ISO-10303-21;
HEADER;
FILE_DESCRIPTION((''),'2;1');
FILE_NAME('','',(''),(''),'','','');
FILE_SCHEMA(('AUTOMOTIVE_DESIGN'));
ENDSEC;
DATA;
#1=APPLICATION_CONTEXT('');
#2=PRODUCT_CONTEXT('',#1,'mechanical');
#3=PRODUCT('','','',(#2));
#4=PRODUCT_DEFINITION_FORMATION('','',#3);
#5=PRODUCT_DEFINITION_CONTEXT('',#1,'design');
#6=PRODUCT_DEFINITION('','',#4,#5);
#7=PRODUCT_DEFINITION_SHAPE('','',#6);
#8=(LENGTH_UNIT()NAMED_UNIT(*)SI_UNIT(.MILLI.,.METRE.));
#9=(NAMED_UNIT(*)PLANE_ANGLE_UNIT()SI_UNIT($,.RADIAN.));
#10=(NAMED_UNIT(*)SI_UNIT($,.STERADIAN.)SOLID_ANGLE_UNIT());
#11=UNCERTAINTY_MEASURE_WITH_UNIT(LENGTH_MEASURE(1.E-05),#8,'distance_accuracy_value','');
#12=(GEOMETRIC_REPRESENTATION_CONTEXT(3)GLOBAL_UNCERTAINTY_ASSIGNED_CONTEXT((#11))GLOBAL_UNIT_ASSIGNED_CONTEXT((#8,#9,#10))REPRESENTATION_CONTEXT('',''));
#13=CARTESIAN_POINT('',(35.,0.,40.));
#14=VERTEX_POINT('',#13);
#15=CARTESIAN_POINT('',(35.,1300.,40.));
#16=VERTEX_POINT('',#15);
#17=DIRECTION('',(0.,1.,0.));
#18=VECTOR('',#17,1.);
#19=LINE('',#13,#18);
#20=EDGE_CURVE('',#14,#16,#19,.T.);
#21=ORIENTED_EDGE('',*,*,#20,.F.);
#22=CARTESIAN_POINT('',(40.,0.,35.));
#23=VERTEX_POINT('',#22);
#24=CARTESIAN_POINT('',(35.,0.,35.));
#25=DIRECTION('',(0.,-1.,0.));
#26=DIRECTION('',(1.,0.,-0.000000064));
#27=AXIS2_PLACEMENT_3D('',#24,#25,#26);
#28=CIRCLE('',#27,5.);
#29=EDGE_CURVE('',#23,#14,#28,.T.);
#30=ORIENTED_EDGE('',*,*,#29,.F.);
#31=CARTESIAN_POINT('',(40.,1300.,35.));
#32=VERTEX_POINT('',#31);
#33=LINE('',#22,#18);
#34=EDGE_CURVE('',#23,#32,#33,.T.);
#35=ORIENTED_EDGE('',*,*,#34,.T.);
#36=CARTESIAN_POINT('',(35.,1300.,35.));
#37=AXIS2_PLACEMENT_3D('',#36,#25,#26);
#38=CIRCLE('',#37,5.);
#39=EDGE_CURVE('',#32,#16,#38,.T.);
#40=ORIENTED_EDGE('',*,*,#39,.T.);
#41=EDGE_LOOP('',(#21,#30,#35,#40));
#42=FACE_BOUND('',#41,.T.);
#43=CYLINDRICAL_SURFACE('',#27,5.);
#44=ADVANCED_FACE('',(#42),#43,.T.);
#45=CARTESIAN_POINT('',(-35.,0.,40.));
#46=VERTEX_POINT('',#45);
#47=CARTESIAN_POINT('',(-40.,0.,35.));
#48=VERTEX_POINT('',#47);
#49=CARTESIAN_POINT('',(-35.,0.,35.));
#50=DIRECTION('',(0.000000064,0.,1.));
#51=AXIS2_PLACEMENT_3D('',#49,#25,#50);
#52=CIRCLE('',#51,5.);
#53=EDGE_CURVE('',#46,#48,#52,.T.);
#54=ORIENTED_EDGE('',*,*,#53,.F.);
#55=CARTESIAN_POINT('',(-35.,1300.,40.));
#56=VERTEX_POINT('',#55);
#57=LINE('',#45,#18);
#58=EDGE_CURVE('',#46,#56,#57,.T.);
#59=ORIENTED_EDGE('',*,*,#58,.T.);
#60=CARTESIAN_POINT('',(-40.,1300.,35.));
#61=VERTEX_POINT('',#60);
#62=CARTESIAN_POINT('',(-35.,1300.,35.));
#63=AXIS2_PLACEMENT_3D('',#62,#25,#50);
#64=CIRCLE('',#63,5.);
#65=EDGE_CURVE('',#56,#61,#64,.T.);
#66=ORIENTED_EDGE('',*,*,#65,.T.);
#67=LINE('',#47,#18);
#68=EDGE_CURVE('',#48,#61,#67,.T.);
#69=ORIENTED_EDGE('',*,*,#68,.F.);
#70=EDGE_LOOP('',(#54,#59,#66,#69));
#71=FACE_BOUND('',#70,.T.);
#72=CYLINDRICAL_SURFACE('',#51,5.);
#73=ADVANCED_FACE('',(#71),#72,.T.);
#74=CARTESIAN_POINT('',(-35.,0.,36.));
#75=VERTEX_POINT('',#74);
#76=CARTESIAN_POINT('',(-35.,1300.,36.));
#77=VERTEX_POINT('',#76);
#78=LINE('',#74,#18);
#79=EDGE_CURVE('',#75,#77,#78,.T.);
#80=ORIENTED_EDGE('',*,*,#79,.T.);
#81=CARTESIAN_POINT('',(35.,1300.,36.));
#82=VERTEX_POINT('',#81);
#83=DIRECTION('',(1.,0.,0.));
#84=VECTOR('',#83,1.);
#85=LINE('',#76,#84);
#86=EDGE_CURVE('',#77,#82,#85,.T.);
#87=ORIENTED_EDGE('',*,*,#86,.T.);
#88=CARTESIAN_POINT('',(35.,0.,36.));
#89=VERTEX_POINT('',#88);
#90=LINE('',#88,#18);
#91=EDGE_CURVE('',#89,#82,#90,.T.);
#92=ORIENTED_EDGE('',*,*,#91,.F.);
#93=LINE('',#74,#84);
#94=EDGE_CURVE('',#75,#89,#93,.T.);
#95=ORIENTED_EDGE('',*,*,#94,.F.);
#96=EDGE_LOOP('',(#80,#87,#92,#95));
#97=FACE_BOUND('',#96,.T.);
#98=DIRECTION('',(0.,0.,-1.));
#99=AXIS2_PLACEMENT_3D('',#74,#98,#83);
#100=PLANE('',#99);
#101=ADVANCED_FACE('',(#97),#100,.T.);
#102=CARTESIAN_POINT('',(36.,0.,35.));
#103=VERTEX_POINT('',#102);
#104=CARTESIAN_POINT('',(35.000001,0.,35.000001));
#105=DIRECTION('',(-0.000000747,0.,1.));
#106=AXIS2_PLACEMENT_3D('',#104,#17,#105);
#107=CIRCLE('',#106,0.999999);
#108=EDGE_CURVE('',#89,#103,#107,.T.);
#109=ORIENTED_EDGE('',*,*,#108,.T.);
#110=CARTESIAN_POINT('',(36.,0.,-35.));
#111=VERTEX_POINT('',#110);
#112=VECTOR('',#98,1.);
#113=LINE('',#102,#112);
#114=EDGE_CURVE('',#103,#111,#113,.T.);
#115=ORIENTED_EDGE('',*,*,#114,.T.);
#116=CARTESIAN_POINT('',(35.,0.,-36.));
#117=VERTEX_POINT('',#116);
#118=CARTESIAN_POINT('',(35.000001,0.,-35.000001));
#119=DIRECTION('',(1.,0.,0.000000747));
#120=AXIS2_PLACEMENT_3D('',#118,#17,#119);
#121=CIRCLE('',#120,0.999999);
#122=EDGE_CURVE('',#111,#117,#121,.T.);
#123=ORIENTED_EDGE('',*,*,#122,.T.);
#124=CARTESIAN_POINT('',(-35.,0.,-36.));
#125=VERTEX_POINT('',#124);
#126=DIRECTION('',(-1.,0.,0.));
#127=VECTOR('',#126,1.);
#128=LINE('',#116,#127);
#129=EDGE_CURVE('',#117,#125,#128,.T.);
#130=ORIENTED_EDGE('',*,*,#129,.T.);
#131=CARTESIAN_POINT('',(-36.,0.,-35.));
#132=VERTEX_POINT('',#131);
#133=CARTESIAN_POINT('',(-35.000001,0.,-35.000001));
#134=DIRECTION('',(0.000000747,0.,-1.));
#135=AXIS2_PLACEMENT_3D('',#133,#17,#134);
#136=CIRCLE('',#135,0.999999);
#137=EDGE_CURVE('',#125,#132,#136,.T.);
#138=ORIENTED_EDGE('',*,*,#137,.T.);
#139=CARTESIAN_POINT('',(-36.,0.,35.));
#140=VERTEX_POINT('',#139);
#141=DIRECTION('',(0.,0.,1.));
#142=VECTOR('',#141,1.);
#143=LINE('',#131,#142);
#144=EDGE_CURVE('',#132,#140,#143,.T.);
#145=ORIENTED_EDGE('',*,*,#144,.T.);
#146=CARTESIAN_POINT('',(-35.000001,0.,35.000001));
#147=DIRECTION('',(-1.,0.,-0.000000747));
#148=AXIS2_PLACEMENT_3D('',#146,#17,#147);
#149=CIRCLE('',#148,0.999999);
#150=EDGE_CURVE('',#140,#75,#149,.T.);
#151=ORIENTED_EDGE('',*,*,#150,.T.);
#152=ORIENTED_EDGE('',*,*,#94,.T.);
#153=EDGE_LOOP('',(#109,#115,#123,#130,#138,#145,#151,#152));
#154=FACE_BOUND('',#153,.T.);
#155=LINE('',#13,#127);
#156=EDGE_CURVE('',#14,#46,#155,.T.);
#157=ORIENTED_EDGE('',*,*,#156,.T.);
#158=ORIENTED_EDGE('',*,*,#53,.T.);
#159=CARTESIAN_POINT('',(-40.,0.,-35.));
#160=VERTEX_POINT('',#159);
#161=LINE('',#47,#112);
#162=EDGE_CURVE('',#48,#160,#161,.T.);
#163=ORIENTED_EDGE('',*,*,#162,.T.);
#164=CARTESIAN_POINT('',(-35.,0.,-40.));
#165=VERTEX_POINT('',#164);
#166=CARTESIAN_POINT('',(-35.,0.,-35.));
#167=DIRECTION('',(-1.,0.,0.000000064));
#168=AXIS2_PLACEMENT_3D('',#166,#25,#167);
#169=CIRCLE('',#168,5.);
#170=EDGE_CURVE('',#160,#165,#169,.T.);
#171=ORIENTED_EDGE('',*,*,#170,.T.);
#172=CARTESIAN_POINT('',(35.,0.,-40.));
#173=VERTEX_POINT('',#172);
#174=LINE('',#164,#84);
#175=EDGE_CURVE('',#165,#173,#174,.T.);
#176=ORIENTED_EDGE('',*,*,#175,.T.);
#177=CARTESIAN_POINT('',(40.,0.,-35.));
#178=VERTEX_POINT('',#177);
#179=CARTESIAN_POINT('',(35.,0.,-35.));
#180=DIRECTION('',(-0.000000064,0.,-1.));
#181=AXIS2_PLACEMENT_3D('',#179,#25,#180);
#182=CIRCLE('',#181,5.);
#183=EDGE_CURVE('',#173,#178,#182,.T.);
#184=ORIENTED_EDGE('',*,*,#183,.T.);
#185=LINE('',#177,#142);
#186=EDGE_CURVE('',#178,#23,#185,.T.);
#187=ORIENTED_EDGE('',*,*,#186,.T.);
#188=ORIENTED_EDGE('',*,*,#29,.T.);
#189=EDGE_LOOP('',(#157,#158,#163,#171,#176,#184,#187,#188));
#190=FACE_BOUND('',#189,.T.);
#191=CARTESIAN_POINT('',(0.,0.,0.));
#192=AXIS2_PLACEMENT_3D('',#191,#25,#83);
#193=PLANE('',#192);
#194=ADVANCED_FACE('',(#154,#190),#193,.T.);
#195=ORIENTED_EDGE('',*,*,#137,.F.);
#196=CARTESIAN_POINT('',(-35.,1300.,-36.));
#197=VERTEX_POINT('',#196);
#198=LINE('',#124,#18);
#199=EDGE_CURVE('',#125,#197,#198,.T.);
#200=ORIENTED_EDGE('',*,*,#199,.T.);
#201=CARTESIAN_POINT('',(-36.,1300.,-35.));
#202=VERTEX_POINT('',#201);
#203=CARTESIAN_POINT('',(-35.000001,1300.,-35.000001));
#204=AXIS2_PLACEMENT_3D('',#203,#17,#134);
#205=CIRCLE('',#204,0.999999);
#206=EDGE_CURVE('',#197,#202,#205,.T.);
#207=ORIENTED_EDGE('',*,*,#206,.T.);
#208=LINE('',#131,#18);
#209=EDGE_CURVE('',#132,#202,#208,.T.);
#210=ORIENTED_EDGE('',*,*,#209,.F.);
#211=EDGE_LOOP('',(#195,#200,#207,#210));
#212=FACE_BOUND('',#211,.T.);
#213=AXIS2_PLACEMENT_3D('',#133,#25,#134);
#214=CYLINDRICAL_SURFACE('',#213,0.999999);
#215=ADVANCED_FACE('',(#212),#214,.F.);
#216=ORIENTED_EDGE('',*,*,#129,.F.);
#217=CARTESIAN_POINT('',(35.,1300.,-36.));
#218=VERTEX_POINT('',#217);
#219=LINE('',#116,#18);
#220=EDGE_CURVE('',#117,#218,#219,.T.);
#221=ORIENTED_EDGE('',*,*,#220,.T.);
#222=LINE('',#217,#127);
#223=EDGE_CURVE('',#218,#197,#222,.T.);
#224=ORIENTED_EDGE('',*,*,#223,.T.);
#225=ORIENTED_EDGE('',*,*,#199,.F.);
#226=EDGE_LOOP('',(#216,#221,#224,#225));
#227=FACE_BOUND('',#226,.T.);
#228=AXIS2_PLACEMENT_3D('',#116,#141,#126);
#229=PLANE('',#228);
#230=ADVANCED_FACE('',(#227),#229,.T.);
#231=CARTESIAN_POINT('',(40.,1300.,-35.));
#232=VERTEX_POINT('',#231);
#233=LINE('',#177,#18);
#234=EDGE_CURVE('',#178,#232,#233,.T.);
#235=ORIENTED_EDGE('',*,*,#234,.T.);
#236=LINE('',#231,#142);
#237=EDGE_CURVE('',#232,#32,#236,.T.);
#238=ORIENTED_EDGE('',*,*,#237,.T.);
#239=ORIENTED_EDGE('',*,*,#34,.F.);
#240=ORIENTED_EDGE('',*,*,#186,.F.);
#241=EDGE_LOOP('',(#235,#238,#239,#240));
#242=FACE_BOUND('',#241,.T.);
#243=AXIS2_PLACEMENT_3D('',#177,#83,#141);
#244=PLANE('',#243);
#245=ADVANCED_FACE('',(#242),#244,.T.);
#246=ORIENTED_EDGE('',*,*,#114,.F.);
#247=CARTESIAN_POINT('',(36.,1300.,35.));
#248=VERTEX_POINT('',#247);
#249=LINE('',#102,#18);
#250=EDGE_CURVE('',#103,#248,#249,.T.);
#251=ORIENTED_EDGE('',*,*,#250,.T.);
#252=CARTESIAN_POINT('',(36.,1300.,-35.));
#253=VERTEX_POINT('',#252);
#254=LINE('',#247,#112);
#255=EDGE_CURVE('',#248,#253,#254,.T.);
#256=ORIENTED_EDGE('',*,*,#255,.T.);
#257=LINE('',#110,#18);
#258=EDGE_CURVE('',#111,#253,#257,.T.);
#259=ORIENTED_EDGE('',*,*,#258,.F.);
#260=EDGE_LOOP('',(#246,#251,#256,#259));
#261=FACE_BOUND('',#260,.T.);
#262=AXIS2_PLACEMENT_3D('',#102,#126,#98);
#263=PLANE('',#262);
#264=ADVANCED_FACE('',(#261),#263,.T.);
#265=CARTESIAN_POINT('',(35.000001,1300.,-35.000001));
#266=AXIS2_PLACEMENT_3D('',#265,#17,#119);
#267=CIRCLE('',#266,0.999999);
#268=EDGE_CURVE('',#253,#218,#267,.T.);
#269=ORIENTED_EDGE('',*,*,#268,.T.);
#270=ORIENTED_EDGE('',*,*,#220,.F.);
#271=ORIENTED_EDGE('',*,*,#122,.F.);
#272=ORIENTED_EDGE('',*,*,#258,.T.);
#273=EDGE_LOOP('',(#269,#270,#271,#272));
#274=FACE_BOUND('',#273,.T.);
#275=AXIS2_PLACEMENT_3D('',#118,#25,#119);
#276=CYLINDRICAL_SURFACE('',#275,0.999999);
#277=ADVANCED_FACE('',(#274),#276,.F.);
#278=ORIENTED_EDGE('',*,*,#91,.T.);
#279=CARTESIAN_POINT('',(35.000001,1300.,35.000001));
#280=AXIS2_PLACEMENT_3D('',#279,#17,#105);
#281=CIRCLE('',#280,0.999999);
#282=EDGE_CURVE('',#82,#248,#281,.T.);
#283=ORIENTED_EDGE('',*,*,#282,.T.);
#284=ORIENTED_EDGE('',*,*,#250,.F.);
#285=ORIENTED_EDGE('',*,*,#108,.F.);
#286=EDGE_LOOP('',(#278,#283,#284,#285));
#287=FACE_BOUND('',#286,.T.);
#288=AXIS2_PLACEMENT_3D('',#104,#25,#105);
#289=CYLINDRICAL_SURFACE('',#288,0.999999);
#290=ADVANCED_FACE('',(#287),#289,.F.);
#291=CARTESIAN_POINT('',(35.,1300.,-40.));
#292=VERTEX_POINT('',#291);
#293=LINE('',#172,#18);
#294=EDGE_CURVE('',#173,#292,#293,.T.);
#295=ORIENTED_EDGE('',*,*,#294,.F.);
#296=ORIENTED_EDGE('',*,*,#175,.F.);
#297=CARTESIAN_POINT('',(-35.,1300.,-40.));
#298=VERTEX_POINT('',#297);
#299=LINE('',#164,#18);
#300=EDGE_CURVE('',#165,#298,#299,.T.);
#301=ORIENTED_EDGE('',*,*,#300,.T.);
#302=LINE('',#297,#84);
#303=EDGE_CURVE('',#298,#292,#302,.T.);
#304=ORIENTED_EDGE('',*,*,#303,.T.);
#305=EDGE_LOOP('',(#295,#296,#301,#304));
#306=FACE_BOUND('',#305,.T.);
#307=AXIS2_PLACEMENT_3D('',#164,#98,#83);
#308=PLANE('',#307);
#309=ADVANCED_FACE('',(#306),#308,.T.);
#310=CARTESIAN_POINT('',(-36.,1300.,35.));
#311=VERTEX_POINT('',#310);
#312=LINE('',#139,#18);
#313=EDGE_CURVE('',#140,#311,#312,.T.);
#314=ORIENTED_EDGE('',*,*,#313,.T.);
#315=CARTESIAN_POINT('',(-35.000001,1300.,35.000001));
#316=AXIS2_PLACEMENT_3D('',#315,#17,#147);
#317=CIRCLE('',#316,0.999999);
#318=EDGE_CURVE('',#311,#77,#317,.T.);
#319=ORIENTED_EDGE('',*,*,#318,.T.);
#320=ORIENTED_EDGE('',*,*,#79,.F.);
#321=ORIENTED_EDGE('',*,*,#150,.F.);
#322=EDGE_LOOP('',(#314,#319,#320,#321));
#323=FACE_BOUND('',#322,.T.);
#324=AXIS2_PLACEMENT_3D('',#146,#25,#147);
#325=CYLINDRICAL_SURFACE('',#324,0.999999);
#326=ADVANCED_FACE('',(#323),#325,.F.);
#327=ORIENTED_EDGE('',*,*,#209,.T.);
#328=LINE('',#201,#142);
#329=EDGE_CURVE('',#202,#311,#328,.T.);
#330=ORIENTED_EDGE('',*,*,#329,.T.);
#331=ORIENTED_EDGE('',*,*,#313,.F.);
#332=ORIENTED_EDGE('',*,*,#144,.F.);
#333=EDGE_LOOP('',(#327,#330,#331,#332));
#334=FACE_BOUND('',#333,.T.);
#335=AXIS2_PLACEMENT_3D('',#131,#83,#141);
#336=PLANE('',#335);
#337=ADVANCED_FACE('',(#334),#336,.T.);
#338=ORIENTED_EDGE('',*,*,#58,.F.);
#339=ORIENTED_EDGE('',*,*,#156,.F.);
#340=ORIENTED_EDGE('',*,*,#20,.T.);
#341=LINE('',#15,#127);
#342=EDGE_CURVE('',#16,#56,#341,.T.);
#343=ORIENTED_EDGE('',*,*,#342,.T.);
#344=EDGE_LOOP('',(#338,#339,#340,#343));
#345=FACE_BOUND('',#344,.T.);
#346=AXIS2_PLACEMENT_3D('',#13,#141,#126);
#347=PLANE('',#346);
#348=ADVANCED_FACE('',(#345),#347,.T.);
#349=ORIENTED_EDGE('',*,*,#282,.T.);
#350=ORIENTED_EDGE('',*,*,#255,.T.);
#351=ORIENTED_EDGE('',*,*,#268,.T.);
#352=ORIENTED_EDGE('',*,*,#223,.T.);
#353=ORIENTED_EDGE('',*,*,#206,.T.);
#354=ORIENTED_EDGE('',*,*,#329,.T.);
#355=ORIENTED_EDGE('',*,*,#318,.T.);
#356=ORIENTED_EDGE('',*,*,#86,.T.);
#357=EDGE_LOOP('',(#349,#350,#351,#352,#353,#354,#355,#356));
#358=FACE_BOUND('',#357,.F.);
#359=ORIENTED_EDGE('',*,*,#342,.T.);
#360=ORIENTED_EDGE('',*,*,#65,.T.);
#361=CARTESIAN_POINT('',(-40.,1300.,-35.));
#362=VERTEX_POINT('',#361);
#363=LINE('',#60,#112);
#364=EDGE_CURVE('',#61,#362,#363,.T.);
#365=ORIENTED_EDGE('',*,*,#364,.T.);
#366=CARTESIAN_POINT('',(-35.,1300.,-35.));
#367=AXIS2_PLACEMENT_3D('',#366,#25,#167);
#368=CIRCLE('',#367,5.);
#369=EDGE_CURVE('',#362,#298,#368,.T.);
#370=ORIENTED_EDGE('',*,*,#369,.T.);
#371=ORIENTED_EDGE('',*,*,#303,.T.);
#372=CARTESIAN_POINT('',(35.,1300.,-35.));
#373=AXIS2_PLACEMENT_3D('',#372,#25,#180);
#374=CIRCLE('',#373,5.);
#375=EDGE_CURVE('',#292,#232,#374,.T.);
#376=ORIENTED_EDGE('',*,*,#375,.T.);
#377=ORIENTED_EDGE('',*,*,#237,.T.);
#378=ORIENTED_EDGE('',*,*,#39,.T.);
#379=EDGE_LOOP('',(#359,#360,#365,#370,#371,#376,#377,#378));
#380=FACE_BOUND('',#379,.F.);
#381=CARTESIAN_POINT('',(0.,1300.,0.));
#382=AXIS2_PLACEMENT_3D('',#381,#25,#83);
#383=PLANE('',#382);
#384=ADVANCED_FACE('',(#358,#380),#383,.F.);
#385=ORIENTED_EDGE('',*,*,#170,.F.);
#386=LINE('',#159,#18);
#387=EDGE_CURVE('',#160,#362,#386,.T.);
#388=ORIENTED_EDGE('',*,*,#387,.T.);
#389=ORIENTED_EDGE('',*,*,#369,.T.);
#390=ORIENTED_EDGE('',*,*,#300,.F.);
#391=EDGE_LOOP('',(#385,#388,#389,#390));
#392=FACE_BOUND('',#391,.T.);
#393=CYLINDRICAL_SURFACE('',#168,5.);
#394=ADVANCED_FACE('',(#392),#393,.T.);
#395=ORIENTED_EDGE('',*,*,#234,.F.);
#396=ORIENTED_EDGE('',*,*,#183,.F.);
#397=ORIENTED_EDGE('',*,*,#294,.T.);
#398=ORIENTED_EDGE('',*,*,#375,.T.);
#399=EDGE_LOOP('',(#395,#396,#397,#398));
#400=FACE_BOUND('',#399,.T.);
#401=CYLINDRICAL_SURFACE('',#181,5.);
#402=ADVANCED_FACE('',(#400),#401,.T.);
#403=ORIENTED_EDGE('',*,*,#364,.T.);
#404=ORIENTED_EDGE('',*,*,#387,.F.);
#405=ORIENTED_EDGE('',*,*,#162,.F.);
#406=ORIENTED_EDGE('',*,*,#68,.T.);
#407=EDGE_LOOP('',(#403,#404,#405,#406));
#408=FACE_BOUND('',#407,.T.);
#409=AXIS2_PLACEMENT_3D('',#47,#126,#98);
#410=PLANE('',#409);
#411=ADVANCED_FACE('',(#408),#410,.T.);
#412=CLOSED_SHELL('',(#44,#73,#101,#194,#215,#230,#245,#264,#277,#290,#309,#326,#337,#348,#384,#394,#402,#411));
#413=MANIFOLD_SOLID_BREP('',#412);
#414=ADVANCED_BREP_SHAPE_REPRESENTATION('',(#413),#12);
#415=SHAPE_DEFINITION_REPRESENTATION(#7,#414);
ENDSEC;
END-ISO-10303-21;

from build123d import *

# Parameters (mm, degrees)
F1_DEPTH = 1300


with BuildPart() as f1:
    # F0 (on Front) → F1 (new body)
    with BuildSketch(Plane.XZ):
        with BuildLine():
            ThreePointArc((40, 35), (38.535534, 38.535534), (35, 40))
            Line((35, 40), (-35, 40))
            ThreePointArc((-35, 40), (-38.535534, 38.535534), (-40, 35))
            Line((-40, 35), (-40, -35))
            ThreePointArc((-40, -35), (-38.535534, -38.535534), (-35, -40))
            Line((-35, -40), (35, -40))
            ThreePointArc((35, -40), (38.535534, -38.535534), (40, -35))
            Line((40, -35), (40, 35))
        make_face()
        with BuildLine():
            ThreePointArc((-36, 35), (-35.707107, 35.707107), (-35, 36))
            Line((-35, 36), (35, 36))
            ThreePointArc((35, 36), (35.707107, 35.707107), (36, 35))
            Line((36, 35), (36, -35))
            ThreePointArc((36, -35), (35.707107, -35.707107), (35, -36))
            Line((35, -36), (-35, -36))
            ThreePointArc((-35, -36), (-35.707107, -35.707107), (-36, -35))
            Line((-36, -35), (-36, 35))
        make_face(mode=Mode.SUBTRACT)
    extrude(amount=-F1_DEPTH)


solid = f1.part
